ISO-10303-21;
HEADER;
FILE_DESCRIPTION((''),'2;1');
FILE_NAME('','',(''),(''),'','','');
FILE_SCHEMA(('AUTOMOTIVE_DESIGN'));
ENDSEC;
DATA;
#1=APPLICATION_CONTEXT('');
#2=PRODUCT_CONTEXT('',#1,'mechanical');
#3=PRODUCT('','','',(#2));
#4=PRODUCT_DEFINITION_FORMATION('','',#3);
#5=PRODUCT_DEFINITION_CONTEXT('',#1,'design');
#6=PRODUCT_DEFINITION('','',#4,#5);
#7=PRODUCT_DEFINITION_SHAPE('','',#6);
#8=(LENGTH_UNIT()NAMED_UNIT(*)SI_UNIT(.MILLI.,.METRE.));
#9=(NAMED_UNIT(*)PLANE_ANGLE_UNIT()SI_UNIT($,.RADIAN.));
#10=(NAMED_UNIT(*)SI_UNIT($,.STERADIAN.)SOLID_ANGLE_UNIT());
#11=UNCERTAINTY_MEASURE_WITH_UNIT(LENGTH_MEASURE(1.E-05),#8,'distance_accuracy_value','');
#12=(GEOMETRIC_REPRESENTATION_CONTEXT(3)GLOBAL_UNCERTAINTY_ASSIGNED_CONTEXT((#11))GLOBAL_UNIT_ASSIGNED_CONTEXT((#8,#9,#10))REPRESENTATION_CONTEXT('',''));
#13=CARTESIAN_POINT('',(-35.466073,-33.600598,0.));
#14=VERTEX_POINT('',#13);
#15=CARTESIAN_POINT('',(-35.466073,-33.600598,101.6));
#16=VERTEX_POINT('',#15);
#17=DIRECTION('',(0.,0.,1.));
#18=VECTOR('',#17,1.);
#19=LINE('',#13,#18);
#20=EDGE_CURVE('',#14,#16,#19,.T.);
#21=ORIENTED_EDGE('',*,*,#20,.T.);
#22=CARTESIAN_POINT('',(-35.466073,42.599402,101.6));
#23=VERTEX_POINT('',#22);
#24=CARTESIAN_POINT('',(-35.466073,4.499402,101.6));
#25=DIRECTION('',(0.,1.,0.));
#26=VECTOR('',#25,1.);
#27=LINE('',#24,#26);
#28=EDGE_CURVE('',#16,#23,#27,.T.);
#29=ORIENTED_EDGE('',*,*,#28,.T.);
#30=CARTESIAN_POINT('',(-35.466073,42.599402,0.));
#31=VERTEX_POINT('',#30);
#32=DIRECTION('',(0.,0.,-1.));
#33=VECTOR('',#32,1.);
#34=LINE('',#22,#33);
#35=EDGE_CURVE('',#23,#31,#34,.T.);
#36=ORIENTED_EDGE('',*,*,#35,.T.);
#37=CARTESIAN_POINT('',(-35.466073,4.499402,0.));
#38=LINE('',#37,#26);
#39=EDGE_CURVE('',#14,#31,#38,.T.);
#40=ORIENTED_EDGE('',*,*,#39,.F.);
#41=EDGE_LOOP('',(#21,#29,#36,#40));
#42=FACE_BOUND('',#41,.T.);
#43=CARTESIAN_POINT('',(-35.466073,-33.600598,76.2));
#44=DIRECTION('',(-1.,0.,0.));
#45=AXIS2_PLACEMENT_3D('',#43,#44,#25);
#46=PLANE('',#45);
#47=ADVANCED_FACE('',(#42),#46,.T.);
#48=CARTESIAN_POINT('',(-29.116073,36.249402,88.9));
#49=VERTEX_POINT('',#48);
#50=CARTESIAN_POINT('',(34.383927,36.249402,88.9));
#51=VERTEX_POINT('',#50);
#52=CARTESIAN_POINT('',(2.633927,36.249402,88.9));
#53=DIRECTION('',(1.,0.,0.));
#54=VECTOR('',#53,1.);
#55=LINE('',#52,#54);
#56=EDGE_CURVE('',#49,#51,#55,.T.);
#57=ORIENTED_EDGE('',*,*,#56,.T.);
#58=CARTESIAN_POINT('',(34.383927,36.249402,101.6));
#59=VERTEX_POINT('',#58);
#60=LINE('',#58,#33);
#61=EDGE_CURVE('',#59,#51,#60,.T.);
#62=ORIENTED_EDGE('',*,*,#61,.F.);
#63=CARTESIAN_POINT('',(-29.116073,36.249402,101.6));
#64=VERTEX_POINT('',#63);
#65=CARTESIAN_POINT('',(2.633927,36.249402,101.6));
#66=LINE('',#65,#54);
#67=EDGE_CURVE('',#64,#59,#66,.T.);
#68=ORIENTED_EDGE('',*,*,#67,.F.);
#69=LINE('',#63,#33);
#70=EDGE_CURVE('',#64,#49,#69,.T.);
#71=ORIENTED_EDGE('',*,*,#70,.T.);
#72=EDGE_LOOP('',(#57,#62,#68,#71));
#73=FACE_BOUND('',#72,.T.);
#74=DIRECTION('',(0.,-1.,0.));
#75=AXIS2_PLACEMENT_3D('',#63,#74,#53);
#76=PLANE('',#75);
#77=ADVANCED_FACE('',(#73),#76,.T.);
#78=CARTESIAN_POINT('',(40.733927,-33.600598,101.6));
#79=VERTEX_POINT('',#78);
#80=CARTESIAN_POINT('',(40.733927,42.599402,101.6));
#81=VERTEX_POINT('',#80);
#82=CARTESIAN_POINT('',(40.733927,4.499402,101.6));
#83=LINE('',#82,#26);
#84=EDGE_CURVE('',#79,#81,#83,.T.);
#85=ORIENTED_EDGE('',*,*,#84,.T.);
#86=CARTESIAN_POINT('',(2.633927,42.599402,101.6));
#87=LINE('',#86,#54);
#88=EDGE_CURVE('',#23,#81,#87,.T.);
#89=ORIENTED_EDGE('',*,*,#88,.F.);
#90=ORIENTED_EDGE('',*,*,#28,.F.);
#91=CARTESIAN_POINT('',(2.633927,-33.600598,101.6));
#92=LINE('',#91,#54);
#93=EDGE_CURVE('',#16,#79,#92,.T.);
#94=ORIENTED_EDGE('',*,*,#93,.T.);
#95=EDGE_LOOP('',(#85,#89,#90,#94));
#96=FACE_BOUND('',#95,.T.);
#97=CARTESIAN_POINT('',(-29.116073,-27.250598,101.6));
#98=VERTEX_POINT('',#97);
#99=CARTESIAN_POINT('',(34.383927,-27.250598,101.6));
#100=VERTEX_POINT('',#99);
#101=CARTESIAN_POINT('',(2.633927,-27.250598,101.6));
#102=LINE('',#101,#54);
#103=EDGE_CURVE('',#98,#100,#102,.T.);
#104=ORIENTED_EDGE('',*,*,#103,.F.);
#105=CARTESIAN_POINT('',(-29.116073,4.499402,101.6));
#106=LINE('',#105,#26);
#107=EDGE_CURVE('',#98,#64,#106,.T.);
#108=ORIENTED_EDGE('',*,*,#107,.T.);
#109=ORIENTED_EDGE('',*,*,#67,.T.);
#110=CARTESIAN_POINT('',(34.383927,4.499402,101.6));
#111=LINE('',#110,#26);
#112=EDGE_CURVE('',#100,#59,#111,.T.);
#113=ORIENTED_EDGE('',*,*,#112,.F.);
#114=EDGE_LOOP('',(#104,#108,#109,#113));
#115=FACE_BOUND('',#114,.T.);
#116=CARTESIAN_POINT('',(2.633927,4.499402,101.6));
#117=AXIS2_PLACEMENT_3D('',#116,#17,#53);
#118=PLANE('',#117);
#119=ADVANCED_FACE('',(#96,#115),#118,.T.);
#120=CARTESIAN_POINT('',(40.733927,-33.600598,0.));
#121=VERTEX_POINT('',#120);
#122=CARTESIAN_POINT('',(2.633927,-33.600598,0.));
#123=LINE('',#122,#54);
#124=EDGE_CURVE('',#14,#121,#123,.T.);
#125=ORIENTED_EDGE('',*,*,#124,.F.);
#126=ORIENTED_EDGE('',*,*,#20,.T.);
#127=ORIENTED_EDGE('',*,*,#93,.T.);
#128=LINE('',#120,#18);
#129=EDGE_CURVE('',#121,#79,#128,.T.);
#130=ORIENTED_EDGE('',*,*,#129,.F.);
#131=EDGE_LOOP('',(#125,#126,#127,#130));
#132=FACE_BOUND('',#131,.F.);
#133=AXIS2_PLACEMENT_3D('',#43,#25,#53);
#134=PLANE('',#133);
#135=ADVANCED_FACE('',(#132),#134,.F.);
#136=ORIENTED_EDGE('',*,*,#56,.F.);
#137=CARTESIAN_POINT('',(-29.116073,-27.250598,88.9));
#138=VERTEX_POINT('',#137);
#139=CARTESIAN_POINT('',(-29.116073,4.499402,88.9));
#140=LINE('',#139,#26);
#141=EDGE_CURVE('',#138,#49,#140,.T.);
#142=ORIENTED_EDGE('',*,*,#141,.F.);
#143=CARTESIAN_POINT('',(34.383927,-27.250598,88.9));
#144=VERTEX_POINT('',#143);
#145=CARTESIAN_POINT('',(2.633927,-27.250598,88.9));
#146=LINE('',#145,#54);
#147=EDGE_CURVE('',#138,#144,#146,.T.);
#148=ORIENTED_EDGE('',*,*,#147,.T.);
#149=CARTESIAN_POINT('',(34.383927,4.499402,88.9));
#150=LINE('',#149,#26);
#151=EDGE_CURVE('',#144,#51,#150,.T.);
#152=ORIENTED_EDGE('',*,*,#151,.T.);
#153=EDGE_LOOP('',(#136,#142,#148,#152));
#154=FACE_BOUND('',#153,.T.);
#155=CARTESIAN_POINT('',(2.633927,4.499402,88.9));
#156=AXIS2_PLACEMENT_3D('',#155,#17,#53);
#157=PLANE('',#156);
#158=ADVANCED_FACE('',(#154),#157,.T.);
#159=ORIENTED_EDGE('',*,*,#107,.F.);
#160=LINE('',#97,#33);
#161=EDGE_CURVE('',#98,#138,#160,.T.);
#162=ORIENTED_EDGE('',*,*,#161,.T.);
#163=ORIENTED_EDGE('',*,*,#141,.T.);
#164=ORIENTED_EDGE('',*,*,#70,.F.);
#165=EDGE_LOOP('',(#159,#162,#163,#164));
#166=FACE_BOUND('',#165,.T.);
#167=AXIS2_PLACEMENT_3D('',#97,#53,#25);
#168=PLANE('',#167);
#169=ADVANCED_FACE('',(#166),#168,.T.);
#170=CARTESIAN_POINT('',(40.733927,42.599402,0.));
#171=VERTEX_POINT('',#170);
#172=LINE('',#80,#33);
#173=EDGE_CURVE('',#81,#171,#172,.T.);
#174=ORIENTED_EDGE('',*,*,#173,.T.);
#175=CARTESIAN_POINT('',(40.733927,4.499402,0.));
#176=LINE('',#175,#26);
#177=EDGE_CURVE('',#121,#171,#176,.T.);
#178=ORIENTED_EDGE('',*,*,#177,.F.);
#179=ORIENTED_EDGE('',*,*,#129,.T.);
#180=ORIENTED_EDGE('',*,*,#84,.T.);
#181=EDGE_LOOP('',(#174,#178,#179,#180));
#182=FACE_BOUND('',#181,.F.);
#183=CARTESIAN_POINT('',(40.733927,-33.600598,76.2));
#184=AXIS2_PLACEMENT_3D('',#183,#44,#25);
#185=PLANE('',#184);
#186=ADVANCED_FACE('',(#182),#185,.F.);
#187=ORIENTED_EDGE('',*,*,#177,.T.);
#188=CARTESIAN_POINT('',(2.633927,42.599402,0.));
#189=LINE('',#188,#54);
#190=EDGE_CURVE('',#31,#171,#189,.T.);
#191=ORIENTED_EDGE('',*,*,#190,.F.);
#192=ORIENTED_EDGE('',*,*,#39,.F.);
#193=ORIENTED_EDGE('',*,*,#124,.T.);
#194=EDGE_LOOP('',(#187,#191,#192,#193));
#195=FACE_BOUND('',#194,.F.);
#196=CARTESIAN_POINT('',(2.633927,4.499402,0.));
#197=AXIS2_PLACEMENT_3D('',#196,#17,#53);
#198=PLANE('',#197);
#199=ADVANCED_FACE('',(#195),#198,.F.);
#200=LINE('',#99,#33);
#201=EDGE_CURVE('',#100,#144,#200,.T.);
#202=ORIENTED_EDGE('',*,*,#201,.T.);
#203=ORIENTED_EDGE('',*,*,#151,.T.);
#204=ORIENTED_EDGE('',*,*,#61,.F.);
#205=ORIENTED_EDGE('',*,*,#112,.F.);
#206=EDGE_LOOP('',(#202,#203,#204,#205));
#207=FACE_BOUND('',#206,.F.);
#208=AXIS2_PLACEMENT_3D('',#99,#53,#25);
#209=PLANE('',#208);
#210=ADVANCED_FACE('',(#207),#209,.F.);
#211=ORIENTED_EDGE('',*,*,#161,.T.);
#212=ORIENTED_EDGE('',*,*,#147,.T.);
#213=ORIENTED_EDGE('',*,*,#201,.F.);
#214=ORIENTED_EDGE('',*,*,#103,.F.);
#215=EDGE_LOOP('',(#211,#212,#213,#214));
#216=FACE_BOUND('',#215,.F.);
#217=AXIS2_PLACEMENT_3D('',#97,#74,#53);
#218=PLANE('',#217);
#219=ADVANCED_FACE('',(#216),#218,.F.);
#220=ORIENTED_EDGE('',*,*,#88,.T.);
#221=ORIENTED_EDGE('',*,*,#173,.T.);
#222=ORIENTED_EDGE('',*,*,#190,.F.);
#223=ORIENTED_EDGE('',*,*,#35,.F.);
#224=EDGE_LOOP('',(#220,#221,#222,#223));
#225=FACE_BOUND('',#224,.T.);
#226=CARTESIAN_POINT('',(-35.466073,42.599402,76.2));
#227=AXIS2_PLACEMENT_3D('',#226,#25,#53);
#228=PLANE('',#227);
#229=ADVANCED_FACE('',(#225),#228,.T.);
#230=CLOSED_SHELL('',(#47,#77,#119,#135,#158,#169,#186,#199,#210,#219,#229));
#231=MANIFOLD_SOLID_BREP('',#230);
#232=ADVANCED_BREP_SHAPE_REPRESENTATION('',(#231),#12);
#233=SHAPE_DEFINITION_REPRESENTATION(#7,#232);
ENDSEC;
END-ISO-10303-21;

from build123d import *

# Parameters (mm, degrees)
F0_W     = 76.2
F0_H     = 76.2
F1_DEPTH = 76.2
F2_DEPTH = 25.4
F3_W     = 63.5
F3_H     = 63.5000005424
F4_DEPTH = 12.7


with BuildPart() as f1:
    # F0 (on Top) → F1 (new body)
    with BuildSketch(Plane.XY):
        with Locations((2.6339268429, 4.4994018972)):
            Rectangle(F0_W, F0_H)
    extrude(amount=F1_DEPTH)

    # F2 (add): a face of the model
    f2_faces = [f1.faces().sort_by_distance(p)[0] for p in [
        (2.6339268429, 4.4994018972, 76.2),
    ]]
    extrude(f2_faces, amount=F2_DEPTH)

    # F3 (on face) → F4 (cut)
    with BuildSketch(Plane.XY.offset(101.6)):
        with Locations((2.6339268429, 4.4994021684)):
            Rectangle(F3_W, F3_H)
    extrude(amount=-F4_DEPTH, mode=Mode.SUBTRACT)


solid = f1.part
